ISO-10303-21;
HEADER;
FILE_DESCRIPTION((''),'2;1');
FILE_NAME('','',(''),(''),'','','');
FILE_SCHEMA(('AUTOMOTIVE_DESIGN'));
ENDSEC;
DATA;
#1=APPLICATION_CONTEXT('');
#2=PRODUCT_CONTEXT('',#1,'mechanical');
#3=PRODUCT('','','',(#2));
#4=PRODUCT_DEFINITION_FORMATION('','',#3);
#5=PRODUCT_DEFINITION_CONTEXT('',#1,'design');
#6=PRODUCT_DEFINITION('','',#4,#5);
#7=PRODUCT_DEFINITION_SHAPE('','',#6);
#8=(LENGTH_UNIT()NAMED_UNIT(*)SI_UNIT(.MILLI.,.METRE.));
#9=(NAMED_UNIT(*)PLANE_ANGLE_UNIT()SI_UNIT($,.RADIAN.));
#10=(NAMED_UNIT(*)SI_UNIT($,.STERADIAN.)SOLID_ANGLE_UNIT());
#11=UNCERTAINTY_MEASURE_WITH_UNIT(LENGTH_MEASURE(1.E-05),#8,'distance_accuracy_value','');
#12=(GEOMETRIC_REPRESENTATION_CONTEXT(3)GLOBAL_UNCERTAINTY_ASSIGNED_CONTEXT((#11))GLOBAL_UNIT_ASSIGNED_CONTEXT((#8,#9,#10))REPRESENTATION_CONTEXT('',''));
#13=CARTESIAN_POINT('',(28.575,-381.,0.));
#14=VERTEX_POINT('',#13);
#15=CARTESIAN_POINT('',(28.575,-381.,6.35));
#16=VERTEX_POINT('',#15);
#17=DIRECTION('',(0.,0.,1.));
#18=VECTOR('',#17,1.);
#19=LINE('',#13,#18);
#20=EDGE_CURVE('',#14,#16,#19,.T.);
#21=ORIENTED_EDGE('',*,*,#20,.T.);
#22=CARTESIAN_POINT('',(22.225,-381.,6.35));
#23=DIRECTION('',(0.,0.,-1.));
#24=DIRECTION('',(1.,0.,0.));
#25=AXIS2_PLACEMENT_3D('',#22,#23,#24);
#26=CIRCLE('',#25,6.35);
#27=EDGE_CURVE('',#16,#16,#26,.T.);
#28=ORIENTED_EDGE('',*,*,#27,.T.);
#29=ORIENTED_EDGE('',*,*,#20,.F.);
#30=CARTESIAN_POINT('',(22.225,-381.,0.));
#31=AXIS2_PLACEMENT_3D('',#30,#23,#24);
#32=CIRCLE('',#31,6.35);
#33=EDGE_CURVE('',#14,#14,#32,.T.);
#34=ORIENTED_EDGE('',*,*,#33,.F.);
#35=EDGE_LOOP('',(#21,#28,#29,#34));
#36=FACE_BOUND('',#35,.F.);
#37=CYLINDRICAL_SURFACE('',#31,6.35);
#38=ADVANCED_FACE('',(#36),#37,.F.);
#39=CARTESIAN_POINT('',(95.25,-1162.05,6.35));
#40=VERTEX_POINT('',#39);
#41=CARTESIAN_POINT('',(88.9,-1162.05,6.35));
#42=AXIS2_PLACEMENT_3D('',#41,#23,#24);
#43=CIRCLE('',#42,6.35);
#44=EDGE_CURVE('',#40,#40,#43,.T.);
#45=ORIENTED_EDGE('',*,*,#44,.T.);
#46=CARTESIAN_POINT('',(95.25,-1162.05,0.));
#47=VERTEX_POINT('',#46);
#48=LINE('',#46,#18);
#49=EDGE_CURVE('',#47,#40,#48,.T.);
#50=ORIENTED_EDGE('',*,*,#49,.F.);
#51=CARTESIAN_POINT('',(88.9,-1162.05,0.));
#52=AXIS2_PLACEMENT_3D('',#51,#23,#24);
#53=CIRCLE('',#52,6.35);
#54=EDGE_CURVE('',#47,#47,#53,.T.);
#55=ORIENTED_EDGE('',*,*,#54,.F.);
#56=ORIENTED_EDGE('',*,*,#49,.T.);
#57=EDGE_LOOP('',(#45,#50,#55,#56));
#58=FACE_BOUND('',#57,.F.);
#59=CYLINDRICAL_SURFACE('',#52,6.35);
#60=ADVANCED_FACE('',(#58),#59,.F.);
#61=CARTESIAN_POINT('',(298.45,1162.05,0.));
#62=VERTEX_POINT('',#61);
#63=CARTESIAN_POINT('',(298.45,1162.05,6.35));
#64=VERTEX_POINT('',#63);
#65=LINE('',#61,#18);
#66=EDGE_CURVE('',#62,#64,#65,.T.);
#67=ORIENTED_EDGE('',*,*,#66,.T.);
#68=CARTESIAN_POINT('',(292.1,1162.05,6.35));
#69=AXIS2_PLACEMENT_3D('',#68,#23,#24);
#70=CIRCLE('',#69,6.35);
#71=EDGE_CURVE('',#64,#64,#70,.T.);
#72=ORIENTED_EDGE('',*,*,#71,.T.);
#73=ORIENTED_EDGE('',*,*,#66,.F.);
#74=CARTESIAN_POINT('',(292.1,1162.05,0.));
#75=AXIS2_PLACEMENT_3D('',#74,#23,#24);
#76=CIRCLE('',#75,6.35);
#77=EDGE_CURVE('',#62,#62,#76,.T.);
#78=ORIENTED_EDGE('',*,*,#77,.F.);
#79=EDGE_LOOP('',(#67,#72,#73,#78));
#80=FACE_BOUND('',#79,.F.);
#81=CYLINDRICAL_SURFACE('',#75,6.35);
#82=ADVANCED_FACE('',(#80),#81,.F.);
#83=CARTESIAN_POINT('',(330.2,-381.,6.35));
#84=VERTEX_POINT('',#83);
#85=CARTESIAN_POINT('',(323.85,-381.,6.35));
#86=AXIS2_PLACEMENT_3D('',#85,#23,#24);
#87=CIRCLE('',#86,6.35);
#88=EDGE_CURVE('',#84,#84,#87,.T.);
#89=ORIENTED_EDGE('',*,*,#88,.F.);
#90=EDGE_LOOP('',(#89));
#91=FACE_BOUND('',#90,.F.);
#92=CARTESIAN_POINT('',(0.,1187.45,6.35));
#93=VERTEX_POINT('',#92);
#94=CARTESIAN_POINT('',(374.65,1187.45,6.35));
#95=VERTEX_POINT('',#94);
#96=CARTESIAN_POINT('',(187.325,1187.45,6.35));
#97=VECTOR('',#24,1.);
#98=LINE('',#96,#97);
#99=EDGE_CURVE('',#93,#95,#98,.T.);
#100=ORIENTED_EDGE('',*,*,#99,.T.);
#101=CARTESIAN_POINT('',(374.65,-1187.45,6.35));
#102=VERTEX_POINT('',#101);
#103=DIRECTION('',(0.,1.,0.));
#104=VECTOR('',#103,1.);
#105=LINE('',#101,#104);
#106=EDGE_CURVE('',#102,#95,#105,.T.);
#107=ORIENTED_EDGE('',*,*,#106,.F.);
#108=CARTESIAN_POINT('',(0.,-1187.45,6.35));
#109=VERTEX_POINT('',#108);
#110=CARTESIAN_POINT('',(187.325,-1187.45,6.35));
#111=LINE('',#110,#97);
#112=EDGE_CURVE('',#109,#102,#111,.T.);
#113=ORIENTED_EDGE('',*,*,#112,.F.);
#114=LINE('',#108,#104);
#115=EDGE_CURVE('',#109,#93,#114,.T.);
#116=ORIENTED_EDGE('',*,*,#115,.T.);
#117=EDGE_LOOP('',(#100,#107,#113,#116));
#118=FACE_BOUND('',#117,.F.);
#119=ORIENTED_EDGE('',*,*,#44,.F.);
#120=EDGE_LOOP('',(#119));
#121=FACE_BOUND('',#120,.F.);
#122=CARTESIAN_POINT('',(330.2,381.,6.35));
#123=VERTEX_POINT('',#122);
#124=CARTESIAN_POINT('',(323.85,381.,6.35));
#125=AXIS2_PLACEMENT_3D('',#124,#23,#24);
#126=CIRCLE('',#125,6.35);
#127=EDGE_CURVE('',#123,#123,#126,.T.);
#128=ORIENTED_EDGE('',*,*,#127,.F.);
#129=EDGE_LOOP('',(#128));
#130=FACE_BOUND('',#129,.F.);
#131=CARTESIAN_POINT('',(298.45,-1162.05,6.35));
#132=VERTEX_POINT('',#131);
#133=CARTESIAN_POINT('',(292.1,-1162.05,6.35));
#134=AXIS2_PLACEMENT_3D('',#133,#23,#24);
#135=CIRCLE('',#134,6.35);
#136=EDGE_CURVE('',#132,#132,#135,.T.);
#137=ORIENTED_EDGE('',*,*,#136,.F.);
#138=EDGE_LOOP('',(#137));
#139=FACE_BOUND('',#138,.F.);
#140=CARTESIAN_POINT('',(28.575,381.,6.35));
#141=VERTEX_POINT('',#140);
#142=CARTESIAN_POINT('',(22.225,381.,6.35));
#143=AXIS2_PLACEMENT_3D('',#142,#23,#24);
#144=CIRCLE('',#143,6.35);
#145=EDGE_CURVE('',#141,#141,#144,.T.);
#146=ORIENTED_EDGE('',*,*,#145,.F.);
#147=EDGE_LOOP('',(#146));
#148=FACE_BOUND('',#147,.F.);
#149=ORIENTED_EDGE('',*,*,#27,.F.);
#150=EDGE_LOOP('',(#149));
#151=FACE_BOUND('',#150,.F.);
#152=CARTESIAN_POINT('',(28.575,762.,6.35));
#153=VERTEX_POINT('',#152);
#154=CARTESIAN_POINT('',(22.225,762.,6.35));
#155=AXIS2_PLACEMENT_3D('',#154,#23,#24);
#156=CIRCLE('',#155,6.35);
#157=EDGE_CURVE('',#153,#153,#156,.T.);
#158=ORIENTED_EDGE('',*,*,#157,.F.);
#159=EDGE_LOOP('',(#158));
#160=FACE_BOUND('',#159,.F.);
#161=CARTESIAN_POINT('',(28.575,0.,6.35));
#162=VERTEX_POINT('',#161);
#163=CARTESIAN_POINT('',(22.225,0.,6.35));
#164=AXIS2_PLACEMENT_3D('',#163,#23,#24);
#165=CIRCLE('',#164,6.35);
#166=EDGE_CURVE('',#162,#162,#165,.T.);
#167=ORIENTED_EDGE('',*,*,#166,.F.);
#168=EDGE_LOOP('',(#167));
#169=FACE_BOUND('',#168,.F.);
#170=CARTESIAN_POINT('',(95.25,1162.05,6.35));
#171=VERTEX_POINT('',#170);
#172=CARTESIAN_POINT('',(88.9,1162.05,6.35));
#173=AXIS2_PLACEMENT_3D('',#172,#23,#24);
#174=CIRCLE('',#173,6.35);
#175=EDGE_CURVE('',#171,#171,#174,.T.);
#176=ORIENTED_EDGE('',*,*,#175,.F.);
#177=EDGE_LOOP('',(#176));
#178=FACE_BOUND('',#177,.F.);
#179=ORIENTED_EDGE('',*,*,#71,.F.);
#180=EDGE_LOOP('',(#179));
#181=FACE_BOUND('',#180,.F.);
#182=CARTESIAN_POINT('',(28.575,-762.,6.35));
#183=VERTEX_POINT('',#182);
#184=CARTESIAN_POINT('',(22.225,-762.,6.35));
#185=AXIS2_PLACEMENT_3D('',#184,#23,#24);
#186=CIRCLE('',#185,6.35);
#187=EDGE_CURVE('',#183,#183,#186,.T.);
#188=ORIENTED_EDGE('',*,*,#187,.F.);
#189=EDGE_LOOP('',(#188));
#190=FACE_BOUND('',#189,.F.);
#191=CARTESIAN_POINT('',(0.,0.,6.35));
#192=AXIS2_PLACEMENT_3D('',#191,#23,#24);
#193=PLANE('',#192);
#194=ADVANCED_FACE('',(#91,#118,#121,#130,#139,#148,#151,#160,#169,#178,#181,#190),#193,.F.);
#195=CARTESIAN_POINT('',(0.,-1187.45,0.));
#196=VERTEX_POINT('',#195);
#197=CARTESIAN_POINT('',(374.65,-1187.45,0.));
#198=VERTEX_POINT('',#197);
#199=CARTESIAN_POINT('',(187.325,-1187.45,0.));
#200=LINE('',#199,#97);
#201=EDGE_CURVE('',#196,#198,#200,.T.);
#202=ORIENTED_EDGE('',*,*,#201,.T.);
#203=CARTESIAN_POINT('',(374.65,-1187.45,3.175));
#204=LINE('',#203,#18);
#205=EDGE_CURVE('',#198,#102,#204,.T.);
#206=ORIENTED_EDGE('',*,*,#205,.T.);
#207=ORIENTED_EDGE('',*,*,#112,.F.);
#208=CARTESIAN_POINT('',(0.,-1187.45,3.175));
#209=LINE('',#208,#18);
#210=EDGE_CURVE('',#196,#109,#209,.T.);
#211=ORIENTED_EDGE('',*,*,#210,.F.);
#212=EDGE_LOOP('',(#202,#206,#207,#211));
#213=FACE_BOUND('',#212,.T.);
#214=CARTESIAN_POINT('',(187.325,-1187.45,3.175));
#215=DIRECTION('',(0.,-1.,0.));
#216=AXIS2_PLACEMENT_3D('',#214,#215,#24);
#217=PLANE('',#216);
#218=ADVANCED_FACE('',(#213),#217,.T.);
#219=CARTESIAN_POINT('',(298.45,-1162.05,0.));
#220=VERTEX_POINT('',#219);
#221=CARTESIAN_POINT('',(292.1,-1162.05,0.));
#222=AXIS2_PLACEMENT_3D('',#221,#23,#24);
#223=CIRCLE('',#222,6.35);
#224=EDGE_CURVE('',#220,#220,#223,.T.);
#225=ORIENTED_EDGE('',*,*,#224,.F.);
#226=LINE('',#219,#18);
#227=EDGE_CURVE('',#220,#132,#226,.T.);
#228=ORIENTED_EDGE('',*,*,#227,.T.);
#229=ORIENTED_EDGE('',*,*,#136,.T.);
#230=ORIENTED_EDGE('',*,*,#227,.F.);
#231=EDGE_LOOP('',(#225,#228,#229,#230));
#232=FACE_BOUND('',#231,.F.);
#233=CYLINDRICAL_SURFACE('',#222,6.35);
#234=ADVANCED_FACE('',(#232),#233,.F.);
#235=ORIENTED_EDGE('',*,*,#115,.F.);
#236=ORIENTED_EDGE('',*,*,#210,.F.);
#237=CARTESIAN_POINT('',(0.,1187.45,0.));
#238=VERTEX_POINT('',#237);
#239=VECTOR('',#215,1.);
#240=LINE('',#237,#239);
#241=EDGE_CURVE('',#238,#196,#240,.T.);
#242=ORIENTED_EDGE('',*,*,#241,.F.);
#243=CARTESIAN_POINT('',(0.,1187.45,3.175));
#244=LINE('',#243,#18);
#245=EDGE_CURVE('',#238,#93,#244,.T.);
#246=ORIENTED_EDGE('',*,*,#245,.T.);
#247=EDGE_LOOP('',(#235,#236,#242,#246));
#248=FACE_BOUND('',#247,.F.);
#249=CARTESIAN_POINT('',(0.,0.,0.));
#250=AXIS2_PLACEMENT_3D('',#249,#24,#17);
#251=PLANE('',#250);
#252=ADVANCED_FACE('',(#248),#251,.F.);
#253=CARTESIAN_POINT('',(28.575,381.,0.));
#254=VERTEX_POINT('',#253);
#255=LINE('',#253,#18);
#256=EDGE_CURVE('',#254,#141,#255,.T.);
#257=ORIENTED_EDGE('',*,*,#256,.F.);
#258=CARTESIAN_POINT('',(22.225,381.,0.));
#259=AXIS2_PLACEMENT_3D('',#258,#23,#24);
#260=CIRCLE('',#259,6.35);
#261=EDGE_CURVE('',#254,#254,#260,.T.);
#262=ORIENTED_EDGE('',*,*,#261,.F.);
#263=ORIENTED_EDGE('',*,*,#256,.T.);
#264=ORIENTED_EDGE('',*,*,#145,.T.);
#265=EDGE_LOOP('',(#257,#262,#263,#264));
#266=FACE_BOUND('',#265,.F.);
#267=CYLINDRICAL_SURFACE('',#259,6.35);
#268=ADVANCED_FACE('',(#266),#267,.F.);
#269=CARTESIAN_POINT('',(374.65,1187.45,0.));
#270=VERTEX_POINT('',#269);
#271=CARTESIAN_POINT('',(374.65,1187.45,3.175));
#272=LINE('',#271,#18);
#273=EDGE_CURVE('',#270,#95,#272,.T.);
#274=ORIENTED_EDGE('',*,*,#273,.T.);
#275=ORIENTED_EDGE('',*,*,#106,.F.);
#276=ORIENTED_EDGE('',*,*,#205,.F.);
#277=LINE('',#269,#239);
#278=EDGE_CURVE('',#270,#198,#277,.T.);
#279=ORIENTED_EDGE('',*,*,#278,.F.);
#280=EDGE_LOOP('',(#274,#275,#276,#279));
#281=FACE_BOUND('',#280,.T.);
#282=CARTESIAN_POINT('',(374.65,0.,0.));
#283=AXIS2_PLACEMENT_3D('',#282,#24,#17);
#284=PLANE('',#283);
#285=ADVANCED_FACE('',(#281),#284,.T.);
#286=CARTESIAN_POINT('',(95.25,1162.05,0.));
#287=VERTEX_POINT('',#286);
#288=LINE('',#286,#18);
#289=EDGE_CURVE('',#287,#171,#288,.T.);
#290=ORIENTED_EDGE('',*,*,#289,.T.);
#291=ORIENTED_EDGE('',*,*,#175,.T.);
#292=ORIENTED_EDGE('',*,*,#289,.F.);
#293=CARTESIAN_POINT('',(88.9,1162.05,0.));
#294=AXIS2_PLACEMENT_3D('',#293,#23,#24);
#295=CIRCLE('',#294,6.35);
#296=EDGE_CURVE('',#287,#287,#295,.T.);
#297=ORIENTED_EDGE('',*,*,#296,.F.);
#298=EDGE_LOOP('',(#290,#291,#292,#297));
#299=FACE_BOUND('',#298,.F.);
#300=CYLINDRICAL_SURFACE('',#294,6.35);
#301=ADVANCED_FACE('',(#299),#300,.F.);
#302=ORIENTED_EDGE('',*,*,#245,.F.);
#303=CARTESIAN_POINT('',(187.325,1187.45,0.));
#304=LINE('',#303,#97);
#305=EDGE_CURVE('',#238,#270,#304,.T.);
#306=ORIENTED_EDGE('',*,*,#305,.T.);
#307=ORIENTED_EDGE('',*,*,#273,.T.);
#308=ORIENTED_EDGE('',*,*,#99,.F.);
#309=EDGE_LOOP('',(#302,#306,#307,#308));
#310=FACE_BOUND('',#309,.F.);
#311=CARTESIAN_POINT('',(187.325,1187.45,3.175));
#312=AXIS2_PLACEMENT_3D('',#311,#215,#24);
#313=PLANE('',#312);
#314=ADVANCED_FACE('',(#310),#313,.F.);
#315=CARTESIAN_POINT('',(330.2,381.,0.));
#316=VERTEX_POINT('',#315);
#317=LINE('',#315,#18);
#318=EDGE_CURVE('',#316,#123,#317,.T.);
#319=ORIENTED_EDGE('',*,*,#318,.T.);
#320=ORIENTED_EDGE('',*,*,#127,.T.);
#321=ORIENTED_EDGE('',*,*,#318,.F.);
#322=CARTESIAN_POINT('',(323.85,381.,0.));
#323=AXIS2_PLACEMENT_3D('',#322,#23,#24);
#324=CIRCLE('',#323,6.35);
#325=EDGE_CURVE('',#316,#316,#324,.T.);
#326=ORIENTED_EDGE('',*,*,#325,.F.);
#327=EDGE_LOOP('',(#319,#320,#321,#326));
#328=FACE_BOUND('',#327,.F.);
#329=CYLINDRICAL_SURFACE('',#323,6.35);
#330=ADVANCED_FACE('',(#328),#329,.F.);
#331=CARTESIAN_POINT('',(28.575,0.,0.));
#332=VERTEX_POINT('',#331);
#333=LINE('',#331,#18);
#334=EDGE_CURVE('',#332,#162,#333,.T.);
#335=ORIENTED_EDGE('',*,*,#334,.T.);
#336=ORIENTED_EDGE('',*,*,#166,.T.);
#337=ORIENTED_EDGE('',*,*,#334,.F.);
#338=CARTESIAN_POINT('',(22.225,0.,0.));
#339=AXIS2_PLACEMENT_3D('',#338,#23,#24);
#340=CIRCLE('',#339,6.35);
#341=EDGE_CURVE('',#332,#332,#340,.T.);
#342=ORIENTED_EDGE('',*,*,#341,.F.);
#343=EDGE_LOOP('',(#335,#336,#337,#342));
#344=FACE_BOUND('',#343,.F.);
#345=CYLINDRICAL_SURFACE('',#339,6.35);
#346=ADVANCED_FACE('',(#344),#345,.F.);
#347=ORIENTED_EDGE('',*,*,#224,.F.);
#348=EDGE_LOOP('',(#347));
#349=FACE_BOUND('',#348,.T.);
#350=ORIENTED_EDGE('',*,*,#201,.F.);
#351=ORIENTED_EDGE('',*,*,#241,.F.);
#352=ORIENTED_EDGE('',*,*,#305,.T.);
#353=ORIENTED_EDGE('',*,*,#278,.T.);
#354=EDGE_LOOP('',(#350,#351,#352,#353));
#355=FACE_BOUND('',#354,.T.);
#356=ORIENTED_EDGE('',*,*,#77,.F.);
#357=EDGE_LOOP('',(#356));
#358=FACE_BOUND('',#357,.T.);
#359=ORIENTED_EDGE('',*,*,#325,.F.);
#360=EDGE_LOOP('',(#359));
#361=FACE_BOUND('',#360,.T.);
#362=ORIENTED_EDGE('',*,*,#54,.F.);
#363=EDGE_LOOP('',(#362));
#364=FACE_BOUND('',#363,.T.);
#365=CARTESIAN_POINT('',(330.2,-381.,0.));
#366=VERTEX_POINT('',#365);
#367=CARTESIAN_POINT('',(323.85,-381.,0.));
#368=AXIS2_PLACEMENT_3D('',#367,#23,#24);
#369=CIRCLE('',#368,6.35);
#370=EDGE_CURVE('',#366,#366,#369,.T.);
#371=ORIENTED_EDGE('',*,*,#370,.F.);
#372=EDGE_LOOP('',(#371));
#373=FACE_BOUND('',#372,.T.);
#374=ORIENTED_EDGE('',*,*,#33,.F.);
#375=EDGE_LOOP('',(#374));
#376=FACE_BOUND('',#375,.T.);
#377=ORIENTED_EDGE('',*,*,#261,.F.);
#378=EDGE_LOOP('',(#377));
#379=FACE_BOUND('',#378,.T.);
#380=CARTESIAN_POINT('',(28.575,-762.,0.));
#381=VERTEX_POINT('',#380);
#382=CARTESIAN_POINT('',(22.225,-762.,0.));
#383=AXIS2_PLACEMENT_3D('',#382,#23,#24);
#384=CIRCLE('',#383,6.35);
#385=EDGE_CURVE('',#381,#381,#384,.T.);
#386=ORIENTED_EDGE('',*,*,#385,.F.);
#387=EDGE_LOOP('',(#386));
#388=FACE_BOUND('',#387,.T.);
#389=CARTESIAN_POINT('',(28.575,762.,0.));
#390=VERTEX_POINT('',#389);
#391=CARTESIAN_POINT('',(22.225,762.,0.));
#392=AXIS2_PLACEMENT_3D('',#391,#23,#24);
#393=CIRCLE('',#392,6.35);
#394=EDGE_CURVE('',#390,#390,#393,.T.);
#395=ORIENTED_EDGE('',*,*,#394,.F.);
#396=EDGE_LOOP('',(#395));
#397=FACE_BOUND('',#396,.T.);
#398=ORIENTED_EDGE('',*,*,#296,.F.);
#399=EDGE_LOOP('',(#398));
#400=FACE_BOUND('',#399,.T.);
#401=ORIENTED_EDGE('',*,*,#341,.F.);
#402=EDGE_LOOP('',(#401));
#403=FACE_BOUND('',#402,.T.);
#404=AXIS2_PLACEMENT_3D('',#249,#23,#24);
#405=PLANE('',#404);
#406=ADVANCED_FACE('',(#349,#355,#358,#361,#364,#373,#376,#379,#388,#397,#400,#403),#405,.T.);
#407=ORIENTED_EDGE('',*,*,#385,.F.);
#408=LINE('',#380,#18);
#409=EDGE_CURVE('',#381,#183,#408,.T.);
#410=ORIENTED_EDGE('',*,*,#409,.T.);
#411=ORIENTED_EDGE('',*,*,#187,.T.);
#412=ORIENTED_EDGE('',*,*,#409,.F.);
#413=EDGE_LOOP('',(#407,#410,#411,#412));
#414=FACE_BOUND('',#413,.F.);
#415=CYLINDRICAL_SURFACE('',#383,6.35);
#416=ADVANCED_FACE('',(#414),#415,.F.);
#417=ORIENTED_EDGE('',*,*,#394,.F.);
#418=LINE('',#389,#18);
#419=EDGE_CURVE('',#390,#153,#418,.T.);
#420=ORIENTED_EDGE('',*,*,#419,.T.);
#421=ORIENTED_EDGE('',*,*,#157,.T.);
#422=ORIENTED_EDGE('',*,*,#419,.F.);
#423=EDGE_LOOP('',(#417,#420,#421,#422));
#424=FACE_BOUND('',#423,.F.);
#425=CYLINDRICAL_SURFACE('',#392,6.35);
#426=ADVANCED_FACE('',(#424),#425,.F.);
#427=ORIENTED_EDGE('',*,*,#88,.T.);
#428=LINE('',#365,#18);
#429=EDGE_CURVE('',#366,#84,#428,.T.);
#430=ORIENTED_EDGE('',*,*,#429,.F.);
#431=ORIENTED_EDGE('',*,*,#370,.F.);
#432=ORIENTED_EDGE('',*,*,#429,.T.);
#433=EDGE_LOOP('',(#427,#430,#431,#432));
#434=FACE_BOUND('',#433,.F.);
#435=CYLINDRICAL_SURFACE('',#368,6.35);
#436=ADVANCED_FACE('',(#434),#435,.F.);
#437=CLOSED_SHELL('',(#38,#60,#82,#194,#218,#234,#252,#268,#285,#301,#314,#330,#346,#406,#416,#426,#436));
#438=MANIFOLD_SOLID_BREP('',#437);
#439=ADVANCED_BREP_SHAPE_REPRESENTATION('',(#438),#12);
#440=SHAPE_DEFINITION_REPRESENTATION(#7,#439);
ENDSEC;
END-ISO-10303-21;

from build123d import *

# Parameters (mm, degrees)
F0_W     = 374.65
F0_H     = 6.35
F1_DEPTH = 1187.45
F2_R     = 6.35
F3_DEPTH = 6.351


with BuildPart() as f1:
    # F0 (on Front) → F1 (new body, symmetric)
    with BuildSketch(Plane.XZ):
        with Locations((187.325, 3.175)):
            Rectangle(F0_W, F0_H)
    extrude(amount=F1_DEPTH, both=True)

    # F2 (on face) → F3 (cut, through all)
    with BuildSketch(Plane(origin=(0, 0, 0), x_dir=(1, 0, 0), z_dir=(0, 0, -1))):
        with Locations((292.1, 1162.05)):
            Circle(F2_R)
        with Locations((88.9, 1162.05)):
            Circle(F2_R)
        with Locations((292.1, -1162.05)):
            Circle(F2_R)
        with Locations((88.9, -1162.05)):
            Circle(F2_R)
        with Locations((22.225, 381)):
            Circle(F2_R)
        with Locations((22.225, -381)):
            Circle(F2_R)
        with Locations((22.225, 762)):
            Circle(F2_R)
        with Locations((22.225, 0)):
            Circle(F2_R)
        with Locations((22.225, -762)):
            Circle(F2_R)
        with Locations((323.85, 381)):
            Circle(F2_R)
        with Locations((323.85, -381)):
            Circle(F2_R)
    extrude(amount=-F3_DEPTH, mode=Mode.SUBTRACT)


solid = f1.part
